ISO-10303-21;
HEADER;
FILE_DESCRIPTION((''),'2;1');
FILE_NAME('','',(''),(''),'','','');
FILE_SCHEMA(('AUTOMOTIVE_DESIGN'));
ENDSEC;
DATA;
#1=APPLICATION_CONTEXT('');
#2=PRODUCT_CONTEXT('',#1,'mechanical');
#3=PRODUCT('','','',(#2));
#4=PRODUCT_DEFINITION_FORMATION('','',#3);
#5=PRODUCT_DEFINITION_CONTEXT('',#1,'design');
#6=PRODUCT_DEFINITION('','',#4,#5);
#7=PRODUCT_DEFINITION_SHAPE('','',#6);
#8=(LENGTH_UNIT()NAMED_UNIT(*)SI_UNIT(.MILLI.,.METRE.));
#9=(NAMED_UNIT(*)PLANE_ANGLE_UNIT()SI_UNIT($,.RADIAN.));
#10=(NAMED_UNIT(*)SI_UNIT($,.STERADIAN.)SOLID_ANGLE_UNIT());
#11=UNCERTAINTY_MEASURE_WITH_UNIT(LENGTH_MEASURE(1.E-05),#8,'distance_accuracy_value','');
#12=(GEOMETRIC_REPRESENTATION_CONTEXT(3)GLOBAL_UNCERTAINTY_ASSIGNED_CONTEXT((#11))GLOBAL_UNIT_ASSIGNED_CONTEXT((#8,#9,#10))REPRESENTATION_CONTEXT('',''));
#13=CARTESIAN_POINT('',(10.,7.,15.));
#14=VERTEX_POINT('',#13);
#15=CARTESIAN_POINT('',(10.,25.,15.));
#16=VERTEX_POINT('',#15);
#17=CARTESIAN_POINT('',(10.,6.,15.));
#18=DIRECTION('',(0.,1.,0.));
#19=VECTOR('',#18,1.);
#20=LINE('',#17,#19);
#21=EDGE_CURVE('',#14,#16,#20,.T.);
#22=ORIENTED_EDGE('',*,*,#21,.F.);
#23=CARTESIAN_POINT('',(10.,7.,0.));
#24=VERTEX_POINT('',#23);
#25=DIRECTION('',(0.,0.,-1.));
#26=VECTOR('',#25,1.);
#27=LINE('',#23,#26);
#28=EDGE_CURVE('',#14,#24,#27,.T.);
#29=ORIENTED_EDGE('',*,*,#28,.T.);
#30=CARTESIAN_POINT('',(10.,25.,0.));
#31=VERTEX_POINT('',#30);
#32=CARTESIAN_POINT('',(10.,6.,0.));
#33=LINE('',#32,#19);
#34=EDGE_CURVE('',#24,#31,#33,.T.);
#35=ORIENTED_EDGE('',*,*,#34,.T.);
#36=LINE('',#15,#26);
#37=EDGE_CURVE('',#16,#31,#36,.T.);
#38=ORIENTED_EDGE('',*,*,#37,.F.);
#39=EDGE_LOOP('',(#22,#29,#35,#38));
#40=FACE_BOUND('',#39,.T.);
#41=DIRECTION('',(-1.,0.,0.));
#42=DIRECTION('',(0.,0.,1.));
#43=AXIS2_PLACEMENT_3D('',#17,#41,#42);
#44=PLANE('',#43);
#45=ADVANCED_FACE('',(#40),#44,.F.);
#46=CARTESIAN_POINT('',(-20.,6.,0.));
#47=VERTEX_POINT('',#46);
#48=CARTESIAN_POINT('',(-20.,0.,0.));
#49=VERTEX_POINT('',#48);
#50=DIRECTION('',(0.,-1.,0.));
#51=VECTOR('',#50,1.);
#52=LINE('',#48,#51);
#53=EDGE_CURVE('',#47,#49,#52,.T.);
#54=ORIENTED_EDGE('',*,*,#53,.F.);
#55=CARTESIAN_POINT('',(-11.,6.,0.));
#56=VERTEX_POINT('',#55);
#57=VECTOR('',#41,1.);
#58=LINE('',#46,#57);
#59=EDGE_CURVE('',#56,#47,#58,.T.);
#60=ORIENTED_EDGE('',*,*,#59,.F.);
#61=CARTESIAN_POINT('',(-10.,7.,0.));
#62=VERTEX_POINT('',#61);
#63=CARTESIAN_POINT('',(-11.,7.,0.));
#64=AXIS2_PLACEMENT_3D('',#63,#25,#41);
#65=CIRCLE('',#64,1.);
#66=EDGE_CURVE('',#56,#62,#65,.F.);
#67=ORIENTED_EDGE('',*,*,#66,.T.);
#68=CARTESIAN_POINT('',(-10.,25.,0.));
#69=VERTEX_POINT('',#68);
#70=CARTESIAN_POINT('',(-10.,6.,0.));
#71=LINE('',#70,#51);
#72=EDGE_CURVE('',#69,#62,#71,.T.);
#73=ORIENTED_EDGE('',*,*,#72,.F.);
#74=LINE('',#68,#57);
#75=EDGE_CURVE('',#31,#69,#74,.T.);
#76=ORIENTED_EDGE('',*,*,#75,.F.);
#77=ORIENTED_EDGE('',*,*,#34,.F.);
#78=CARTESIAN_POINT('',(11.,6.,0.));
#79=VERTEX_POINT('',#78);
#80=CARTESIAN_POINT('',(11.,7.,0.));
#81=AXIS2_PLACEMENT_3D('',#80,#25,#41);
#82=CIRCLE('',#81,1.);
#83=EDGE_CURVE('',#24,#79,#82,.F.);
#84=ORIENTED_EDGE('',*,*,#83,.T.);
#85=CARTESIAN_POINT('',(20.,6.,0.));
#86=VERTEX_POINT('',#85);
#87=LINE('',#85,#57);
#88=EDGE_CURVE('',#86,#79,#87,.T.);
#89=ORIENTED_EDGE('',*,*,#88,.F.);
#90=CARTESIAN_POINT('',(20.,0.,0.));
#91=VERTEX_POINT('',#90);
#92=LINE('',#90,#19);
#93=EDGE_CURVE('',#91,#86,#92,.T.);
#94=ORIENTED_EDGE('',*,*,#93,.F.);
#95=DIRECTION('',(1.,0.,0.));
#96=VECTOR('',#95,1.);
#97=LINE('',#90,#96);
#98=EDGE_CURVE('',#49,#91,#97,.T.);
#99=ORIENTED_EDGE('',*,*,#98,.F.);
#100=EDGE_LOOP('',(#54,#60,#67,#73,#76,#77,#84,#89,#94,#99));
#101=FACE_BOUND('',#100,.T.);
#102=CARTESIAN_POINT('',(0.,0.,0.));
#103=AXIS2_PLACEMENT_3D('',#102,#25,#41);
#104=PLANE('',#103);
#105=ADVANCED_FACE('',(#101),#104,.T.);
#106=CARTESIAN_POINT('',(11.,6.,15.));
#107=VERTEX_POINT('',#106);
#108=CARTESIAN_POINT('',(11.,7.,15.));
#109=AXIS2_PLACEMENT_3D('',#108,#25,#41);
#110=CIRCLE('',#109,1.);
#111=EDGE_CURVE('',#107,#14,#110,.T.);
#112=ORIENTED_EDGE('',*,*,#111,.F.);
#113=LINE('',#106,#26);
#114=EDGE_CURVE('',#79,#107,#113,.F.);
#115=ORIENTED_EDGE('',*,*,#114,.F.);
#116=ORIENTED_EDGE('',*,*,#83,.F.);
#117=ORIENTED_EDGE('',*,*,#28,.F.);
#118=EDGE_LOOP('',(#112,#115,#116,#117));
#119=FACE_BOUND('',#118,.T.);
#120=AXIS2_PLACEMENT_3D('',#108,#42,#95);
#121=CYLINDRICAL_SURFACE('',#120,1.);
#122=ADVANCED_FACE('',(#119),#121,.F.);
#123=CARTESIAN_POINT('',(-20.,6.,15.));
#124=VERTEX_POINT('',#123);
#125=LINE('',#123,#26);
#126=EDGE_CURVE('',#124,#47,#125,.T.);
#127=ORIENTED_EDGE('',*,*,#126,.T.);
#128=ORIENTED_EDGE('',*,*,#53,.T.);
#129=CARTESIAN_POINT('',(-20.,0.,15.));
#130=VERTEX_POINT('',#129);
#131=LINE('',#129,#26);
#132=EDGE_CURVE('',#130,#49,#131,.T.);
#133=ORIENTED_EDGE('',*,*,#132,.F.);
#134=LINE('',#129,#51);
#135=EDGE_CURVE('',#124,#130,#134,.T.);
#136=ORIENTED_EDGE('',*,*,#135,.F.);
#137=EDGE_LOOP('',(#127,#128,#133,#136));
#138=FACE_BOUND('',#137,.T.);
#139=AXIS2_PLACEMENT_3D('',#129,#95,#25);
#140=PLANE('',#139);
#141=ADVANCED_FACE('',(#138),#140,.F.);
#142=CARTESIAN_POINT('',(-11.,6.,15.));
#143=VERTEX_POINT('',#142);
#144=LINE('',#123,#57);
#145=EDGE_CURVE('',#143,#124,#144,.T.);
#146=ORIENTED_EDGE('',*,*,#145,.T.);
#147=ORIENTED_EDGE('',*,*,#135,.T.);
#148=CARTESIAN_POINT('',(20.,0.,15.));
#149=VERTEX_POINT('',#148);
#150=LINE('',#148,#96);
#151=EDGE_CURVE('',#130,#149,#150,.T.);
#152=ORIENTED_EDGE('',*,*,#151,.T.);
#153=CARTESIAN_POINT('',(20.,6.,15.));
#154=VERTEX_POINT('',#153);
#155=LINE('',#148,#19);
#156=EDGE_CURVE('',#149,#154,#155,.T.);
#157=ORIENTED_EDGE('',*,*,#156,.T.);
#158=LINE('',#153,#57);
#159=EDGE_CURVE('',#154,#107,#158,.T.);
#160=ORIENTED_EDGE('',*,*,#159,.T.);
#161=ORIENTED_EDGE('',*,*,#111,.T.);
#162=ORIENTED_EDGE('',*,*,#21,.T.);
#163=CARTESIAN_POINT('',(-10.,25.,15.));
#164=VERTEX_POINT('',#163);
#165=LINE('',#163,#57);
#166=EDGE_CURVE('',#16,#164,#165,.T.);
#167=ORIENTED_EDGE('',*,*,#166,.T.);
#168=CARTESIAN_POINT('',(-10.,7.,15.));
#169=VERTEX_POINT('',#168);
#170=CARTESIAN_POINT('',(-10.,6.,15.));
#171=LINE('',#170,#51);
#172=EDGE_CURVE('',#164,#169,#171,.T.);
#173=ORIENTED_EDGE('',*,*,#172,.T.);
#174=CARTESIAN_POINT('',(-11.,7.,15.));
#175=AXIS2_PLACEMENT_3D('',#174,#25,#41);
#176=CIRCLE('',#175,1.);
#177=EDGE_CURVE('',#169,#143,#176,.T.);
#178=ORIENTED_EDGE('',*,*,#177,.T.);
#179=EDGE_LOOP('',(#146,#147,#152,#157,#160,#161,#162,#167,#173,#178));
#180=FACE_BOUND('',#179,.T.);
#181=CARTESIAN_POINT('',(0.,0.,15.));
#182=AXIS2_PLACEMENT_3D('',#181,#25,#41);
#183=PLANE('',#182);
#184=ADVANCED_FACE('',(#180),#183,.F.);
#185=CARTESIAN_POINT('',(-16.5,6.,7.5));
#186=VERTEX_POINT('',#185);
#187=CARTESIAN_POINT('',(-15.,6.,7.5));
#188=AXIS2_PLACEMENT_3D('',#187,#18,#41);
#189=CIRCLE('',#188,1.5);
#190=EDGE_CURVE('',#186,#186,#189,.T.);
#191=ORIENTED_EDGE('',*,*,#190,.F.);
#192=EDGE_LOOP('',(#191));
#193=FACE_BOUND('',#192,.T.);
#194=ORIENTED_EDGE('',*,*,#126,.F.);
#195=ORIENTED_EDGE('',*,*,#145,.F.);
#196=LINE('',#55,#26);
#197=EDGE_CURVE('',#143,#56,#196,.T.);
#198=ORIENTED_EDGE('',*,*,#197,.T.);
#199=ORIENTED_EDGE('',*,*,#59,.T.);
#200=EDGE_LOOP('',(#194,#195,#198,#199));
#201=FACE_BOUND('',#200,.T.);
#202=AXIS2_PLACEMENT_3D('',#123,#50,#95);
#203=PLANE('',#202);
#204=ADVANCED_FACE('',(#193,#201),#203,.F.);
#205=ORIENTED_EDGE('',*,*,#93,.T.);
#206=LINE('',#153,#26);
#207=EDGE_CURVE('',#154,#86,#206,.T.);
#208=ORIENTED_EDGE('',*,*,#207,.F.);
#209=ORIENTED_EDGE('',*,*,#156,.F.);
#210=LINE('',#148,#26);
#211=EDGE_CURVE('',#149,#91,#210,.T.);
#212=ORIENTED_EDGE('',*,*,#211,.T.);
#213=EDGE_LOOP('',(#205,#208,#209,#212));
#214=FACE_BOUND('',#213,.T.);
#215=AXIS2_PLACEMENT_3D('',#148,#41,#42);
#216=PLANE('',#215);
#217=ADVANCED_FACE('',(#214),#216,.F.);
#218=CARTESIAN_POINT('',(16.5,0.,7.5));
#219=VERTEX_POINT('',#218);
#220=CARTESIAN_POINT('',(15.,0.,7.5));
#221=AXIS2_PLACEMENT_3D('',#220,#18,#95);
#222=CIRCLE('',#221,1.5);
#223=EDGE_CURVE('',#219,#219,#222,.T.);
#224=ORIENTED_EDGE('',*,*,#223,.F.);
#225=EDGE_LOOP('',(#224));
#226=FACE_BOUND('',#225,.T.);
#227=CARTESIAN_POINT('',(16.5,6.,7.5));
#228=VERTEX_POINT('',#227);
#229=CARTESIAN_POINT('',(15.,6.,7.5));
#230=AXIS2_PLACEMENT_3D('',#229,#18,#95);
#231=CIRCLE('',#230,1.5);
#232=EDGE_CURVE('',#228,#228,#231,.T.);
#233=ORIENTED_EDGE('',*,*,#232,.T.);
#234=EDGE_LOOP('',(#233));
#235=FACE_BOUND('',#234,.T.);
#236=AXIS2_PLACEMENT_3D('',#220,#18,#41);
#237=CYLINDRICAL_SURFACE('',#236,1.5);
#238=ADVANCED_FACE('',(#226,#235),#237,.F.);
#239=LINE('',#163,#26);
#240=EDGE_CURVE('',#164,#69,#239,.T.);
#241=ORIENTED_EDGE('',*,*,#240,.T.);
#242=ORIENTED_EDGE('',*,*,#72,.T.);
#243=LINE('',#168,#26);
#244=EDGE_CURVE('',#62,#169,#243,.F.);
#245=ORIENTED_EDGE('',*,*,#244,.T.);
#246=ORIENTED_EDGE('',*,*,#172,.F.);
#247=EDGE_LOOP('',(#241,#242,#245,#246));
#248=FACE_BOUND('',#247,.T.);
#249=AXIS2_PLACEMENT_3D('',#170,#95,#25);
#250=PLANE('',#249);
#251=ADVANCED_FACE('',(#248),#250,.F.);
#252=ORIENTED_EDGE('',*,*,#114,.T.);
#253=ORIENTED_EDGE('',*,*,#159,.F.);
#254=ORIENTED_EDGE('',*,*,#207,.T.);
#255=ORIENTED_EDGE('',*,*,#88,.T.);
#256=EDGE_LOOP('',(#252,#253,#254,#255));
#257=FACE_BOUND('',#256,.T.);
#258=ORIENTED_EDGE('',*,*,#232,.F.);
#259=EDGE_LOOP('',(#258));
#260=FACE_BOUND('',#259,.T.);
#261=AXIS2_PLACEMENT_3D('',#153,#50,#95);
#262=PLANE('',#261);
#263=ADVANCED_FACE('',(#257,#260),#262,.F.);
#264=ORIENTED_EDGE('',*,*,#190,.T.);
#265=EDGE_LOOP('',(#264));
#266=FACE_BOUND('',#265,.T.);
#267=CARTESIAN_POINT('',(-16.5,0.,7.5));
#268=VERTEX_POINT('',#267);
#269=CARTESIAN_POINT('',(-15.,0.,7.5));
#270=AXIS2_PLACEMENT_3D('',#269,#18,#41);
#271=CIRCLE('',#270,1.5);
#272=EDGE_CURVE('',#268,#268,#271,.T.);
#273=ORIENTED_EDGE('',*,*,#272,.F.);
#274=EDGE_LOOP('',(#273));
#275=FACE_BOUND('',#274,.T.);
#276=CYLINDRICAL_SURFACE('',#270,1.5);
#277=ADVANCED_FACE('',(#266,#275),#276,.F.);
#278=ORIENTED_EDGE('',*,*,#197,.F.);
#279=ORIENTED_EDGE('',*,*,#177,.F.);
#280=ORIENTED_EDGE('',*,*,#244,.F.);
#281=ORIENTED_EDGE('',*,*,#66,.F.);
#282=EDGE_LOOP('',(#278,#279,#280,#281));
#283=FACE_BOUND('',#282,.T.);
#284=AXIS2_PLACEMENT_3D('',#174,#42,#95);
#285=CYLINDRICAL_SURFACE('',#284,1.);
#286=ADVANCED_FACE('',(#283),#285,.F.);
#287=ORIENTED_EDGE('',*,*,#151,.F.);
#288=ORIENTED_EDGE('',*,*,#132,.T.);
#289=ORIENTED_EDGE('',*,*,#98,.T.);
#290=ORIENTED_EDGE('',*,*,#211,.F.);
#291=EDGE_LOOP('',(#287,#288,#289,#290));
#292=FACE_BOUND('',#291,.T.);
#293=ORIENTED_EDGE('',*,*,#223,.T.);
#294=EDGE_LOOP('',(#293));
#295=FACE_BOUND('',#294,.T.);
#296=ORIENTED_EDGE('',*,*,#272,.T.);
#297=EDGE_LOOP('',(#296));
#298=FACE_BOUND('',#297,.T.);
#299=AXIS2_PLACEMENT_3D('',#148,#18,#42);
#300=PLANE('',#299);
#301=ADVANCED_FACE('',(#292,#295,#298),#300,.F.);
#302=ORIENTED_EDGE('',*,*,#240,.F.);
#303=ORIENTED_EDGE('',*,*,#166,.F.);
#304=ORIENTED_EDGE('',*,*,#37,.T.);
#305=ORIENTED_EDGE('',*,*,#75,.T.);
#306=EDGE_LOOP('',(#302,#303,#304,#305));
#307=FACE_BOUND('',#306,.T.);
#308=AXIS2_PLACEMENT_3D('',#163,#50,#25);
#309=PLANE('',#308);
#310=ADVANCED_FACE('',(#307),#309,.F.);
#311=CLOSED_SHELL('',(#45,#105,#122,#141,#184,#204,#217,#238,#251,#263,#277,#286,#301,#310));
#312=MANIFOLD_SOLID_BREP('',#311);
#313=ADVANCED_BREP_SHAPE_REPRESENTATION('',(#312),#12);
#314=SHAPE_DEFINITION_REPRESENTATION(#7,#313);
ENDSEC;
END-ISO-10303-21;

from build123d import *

# Parameters (mm, degrees)
EXTRUDE_1_DEPTH     = 15
SKETCH_2_R          = 1.5
CUT_EXTRUDE_1_DEPTH = 32.400636936
FILLET_1_R          = 1


with BuildPart() as part:
    # 草图1 → 凸台-拉伸1 (new body)
    with BuildSketch(Plane.XY):
        Polygon((20, 0), (-20, 0), (-20, 6), (-10, 6), (-10, 25), (10, 25), (10, 6), (20, 6), align=None)
    extrude(amount=EXTRUDE_1_DEPTH)

    # 草图2 → 切除-拉伸1 (cut, through all)
    with BuildSketch(Plane(origin=(0, 6, 0), x_dir=(1, 0, 0), z_dir=(0, 1, 0))):
        with Locations(Location((-15, -7.5, 0), (0, 0, 180))):
            Circle(SKETCH_2_R)
        with Locations((15, -7.5)):
            Circle(SKETCH_2_R)
    extrude(amount=-CUT_EXTRUDE_1_DEPTH, mode=Mode.SUBTRACT)

    # 圆角1
    fillet_1_edges = [part.edges().sort_by_distance(p)[0] for p in [
        (-10, 6, 7.5),
        (10, 6, 7.5),
    ]]
    fillet(fillet_1_edges, radius=FILLET_1_R)


solid = part.part
